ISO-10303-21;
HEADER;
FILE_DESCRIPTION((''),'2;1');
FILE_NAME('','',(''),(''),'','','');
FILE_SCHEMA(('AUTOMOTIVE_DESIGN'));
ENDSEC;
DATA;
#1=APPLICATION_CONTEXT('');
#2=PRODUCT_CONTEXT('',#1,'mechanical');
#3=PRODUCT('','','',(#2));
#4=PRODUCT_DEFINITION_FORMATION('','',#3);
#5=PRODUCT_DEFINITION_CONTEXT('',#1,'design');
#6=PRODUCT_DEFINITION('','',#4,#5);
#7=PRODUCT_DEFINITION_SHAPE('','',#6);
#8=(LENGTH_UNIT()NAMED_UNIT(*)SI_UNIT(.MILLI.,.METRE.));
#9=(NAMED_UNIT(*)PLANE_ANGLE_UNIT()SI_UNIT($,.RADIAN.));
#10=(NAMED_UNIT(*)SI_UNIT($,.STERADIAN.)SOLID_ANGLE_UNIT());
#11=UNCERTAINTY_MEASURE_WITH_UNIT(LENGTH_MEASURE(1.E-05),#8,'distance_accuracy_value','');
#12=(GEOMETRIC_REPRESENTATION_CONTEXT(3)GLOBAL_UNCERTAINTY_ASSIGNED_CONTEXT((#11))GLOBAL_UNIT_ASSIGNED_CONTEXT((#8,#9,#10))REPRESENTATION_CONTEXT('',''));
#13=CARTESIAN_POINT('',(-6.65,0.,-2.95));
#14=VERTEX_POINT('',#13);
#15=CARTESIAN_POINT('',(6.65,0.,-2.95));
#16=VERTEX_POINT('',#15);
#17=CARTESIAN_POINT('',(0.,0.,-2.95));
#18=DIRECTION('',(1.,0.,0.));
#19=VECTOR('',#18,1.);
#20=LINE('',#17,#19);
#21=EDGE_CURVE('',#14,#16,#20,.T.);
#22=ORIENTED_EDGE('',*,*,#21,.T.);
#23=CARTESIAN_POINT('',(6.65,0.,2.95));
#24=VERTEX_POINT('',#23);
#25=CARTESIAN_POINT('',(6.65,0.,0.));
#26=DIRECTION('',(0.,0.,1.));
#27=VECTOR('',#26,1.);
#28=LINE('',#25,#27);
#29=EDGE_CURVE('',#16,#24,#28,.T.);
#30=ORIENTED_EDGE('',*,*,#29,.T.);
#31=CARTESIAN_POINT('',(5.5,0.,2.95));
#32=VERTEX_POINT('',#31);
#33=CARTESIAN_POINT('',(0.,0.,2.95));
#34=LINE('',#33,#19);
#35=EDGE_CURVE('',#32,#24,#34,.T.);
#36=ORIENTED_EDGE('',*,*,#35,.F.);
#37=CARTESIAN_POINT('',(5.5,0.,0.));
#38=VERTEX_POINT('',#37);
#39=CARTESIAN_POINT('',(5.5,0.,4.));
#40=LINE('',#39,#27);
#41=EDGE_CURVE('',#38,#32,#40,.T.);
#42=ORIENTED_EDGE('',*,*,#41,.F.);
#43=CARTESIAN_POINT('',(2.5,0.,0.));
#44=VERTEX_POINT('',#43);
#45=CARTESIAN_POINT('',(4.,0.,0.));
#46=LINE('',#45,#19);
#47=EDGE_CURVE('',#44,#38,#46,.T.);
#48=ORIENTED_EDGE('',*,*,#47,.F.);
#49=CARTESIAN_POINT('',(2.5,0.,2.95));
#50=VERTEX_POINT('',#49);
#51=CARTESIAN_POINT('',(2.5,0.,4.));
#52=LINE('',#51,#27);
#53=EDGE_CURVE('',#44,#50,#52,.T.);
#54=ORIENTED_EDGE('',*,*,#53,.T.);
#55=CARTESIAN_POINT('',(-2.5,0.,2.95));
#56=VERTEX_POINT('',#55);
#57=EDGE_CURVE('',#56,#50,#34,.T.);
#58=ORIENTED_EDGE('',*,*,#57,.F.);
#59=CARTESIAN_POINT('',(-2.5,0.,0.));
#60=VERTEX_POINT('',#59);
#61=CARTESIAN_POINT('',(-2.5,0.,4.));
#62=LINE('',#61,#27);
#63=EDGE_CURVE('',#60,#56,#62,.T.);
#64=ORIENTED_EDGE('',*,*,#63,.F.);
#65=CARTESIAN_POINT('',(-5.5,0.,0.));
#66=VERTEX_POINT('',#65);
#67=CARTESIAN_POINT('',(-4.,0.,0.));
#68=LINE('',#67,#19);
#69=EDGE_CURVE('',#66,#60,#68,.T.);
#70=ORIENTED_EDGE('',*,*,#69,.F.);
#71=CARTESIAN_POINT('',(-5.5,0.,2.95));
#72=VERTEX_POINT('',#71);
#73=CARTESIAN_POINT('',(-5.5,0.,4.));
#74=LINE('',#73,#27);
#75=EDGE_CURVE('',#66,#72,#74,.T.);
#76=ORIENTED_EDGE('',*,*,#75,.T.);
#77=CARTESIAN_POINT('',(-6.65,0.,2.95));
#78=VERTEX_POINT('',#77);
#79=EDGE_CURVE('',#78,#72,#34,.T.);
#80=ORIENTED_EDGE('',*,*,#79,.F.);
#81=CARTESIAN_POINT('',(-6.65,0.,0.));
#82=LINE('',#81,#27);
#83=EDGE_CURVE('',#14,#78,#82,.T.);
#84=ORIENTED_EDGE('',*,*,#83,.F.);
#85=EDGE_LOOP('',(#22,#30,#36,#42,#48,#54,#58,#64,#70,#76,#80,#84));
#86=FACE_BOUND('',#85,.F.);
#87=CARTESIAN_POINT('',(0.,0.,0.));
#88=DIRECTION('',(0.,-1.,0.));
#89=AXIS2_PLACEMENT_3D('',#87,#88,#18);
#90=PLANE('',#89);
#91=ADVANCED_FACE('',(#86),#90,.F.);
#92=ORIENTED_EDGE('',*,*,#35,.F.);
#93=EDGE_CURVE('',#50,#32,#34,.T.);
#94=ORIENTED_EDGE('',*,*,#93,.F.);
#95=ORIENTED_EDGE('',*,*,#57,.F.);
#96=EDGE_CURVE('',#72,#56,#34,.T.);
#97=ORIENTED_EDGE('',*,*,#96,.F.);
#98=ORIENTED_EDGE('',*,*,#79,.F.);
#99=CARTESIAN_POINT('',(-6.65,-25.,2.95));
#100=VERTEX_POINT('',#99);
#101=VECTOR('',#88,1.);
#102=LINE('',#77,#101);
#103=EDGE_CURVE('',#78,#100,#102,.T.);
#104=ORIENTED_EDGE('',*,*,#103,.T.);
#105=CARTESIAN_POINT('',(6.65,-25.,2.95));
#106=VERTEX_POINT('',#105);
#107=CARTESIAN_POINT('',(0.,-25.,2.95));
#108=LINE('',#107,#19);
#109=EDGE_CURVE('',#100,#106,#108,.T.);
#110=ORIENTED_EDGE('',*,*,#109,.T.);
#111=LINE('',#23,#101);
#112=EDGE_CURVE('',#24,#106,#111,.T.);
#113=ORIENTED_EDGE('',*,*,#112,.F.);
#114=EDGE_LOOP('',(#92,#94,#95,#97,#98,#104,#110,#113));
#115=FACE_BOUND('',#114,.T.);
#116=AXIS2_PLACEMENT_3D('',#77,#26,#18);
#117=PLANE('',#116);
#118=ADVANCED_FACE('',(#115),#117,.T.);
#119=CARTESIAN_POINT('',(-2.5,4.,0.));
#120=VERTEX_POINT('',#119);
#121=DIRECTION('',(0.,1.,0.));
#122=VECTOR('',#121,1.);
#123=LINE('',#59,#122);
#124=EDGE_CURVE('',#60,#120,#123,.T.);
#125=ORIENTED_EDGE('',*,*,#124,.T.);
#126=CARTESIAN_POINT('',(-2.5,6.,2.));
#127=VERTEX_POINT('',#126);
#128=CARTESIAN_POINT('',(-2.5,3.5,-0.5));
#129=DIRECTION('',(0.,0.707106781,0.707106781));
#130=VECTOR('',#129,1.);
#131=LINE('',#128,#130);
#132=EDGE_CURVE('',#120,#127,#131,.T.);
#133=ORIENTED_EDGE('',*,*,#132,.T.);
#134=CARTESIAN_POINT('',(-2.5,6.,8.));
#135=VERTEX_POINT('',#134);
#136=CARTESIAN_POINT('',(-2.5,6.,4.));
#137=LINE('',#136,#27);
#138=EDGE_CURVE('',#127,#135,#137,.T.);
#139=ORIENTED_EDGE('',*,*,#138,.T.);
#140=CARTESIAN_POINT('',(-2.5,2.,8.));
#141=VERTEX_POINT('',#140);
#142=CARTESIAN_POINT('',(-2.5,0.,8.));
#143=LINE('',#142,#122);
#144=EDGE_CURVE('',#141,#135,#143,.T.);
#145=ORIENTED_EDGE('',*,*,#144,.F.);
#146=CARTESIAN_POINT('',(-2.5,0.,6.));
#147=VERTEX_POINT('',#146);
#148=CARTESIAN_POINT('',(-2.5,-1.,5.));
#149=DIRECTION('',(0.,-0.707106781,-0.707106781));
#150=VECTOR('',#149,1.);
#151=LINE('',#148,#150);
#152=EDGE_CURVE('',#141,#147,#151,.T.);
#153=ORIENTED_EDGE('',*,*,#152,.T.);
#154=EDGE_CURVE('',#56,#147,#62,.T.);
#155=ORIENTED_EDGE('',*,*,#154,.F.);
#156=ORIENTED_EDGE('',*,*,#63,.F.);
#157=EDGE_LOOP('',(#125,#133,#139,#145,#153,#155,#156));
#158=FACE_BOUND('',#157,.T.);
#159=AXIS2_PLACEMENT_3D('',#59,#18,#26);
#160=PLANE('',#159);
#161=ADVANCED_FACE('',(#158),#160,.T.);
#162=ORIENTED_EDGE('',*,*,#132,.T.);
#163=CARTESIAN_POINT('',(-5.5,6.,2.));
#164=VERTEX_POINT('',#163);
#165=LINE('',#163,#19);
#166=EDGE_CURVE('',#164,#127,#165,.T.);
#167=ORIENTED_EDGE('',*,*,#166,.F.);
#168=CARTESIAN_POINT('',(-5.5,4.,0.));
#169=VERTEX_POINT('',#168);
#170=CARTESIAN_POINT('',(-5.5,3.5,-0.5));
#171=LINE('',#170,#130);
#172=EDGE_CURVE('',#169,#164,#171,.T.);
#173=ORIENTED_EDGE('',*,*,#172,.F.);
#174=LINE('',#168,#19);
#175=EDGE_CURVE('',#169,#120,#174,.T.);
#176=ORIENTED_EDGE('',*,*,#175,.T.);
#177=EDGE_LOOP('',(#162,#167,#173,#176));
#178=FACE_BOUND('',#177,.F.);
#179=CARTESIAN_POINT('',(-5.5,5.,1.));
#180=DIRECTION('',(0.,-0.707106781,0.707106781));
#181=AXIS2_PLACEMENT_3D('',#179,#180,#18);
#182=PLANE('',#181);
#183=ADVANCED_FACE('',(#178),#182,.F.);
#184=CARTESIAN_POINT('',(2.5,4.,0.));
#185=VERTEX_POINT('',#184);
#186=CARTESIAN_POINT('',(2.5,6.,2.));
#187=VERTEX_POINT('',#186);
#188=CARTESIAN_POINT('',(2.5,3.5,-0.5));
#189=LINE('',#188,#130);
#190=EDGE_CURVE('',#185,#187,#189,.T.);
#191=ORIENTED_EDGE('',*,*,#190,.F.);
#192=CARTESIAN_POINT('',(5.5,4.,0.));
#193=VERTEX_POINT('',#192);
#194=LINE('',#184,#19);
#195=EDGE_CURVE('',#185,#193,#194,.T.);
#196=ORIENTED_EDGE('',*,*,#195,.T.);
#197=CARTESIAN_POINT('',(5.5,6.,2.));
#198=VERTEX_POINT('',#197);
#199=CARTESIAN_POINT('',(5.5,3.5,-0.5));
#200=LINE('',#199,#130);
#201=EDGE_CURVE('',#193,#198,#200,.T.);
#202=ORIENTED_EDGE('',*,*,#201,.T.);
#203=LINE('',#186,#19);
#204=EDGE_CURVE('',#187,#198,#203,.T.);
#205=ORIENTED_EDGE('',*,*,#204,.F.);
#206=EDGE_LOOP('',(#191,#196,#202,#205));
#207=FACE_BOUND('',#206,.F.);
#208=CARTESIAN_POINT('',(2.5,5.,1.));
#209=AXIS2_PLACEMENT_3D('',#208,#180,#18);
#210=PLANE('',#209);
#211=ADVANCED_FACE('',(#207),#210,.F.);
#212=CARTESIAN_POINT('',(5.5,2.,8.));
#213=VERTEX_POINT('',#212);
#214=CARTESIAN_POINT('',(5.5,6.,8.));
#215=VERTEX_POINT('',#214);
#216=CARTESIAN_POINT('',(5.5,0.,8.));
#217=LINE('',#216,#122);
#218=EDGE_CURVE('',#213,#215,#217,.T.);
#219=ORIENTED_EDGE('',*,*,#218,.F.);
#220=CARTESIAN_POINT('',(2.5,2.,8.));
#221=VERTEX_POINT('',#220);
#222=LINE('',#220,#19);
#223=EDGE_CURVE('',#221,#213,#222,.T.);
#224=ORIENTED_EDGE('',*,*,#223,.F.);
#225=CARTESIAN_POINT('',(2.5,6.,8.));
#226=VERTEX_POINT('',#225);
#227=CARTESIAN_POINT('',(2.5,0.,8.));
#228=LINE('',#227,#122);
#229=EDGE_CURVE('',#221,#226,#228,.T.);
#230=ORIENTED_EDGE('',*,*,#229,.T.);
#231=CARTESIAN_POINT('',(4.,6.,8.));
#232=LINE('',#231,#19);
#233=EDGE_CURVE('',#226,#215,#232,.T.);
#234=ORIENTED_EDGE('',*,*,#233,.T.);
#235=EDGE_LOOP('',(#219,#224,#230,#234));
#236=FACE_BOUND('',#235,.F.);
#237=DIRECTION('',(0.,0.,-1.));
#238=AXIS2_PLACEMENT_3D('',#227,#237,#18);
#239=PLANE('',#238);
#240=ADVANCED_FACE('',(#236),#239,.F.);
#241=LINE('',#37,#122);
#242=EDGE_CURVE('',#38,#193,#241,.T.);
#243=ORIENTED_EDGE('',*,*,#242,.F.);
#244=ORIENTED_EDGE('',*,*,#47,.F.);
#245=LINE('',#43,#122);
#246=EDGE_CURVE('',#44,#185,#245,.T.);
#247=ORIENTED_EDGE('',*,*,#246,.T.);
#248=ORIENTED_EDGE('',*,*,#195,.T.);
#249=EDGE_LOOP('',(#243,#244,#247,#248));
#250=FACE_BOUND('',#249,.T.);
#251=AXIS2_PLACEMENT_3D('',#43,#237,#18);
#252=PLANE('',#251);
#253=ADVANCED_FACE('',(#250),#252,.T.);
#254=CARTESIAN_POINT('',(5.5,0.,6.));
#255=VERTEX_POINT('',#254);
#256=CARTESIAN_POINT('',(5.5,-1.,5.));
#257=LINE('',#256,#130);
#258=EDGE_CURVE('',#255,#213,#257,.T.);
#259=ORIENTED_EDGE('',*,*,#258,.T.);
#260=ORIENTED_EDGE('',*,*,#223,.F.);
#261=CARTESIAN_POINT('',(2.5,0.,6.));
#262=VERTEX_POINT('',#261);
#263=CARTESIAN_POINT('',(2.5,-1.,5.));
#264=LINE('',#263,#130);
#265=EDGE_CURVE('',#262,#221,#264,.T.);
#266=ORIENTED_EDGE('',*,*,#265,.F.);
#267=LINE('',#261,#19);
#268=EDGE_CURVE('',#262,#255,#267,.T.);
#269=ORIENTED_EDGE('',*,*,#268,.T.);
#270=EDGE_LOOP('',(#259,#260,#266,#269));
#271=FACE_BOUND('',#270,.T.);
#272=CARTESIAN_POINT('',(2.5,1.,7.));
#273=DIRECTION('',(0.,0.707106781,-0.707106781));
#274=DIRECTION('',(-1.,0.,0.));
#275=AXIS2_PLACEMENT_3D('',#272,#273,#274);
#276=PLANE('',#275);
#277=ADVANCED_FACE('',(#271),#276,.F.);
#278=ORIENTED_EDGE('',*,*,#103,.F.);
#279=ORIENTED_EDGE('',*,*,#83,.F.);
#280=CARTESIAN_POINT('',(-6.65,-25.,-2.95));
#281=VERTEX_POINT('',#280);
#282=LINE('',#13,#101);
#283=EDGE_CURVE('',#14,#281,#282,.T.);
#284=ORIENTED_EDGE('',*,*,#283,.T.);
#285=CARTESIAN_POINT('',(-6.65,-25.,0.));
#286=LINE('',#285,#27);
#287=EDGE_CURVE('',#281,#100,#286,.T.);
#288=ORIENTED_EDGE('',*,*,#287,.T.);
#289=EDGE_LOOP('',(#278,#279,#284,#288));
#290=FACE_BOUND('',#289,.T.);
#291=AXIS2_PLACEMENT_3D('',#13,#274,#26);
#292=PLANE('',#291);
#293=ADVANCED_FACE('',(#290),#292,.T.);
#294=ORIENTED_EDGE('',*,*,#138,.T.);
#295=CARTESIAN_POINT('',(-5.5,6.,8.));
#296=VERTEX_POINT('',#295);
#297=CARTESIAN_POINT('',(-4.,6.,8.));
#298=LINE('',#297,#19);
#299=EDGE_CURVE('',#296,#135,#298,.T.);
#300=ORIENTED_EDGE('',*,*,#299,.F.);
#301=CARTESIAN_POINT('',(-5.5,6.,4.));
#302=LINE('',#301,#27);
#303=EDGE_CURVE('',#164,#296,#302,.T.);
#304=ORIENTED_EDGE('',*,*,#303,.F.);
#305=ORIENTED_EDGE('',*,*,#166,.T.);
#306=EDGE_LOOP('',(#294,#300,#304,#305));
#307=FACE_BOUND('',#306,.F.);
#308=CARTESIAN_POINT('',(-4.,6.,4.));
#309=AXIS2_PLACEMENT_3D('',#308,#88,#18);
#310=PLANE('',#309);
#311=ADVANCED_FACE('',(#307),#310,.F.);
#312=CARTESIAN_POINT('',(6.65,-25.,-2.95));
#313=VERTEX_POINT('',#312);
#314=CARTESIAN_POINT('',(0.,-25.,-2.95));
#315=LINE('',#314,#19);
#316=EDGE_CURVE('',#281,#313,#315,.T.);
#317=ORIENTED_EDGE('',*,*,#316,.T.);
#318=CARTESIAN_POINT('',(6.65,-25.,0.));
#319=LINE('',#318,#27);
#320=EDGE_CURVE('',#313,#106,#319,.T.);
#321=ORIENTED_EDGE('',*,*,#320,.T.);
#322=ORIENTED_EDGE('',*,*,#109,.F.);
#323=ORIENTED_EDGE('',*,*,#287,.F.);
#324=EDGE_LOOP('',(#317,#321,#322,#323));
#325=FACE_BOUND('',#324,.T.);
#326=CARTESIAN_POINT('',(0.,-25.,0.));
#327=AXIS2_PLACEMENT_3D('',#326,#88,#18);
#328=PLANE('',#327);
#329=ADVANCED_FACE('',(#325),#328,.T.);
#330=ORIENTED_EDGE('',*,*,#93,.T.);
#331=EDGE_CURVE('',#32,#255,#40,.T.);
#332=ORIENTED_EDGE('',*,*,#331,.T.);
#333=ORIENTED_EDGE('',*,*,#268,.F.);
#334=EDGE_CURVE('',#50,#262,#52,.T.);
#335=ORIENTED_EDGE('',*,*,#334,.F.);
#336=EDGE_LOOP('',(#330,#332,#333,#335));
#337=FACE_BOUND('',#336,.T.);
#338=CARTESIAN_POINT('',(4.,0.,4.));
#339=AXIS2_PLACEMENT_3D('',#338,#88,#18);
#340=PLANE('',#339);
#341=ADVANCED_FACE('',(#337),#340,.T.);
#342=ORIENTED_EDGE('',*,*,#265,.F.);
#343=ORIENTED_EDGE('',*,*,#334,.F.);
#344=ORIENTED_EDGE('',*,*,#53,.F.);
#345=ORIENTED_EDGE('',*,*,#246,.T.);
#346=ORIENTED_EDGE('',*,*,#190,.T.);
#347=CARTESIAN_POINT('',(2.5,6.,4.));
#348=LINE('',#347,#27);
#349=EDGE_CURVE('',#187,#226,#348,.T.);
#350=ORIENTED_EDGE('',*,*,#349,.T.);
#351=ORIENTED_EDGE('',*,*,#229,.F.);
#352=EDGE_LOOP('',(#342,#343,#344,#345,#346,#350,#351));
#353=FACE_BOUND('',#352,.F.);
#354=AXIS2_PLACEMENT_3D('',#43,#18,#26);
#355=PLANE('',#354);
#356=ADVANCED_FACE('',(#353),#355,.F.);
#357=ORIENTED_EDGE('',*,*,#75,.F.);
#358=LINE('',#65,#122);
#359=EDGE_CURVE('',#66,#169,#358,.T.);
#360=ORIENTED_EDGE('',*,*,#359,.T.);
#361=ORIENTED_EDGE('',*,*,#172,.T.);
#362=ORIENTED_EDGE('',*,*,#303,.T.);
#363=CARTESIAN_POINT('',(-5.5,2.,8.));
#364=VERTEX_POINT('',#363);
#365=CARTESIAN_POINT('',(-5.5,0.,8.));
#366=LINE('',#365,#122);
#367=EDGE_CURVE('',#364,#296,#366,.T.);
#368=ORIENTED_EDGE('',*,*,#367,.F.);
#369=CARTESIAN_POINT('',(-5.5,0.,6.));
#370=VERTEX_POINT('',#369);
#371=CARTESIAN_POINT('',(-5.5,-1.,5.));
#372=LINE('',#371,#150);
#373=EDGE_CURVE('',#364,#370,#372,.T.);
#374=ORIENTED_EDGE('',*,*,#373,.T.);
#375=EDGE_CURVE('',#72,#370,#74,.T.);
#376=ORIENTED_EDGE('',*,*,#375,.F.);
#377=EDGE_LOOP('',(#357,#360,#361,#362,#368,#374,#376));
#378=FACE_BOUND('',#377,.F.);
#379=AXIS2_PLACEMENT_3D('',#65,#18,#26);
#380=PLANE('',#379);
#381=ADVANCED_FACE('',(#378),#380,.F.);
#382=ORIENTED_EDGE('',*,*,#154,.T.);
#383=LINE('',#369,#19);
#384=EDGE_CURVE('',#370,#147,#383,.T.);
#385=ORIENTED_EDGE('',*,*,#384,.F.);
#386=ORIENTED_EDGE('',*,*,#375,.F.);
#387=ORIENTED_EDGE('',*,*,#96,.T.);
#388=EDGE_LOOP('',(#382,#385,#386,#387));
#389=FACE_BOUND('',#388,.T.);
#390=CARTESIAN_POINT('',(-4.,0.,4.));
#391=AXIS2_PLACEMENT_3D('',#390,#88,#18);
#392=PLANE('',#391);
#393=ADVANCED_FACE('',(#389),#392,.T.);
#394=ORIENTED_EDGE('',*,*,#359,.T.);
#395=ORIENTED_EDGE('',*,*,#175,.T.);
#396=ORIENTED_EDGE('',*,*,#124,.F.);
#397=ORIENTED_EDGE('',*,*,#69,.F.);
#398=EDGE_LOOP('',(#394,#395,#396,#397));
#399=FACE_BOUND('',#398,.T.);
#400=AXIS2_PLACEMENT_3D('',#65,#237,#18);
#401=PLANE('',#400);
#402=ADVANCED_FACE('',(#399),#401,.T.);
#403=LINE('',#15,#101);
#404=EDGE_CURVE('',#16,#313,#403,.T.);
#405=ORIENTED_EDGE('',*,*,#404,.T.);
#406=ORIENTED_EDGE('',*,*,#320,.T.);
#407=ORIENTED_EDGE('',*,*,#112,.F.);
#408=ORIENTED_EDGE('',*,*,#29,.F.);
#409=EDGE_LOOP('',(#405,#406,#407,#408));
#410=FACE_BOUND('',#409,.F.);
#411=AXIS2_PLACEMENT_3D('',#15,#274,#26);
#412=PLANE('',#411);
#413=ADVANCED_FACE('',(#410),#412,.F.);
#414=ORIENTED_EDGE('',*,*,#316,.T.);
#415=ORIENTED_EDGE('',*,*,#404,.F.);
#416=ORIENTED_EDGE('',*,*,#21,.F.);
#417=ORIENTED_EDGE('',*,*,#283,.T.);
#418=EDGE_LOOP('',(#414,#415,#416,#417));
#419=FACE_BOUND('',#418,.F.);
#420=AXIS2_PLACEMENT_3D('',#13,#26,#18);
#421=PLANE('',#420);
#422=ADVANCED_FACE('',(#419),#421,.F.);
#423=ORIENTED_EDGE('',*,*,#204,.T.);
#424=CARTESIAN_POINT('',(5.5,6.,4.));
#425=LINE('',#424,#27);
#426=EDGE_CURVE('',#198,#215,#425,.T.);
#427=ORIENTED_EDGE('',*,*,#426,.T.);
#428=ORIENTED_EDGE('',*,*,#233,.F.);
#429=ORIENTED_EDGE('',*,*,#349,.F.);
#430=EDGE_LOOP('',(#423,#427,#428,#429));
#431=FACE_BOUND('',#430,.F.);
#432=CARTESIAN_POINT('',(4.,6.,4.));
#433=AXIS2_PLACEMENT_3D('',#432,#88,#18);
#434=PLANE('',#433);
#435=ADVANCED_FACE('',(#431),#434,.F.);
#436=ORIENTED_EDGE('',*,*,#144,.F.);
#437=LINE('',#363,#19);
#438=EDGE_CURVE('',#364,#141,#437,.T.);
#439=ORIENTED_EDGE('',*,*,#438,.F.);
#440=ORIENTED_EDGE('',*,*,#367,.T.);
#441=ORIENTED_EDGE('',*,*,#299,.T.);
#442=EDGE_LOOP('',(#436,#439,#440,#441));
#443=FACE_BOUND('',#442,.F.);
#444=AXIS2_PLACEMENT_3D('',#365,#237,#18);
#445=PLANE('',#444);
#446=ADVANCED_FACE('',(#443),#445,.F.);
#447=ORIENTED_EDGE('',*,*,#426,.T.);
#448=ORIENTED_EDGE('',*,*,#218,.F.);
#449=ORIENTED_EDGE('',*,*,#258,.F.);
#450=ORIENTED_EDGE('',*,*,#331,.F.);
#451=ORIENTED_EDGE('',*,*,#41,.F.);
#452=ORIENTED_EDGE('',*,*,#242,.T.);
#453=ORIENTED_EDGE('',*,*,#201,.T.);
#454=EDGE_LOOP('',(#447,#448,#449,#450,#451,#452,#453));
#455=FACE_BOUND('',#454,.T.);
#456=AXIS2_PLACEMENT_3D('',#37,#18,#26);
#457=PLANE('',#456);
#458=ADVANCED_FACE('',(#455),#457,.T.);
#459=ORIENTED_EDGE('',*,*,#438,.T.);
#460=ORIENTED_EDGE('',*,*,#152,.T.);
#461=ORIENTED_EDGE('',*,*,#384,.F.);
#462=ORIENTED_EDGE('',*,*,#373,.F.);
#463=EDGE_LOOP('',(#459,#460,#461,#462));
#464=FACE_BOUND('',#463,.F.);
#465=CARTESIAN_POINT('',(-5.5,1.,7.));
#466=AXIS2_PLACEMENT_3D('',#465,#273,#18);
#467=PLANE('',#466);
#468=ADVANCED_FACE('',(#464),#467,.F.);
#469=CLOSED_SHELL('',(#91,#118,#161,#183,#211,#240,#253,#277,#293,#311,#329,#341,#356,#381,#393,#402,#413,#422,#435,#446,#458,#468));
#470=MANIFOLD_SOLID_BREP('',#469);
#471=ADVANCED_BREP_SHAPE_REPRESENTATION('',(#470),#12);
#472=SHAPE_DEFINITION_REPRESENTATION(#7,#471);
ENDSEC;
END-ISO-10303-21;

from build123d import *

# Parameters (mm, degrees)
F0_W     = 13.3
F0_H     = 5.9
F1_DEPTH = 25
F2_W     = 3
F2_H     = 8
F3_DEPTH = 6
F4_SIZE  = 2


with BuildPart() as f1:
    # F0 (on Front) → F1 (new body)
    with BuildSketch(Plane.XZ):
        Rectangle(F0_W, F0_H)
    extrude(amount=F1_DEPTH)

    # F2 (on Front) → F3 (join)
    with BuildSketch(Plane.XZ):
        with Locations((-4, 4)):
            Rectangle(F2_W, F2_H)
        with Locations((4, 4)):
            Rectangle(F2_W, F2_H)
    extrude(amount=-F3_DEPTH)

    # F4
    f4_edges = [f1.edges().sort_by_distance(p)[0] for p in [
        (-4, 0, 8),
        (4, 0, 8),
        (4, 6, 0),
        (-4, 6, 0),
    ]]
    chamfer(f4_edges, length=F4_SIZE)


solid = f1.part
